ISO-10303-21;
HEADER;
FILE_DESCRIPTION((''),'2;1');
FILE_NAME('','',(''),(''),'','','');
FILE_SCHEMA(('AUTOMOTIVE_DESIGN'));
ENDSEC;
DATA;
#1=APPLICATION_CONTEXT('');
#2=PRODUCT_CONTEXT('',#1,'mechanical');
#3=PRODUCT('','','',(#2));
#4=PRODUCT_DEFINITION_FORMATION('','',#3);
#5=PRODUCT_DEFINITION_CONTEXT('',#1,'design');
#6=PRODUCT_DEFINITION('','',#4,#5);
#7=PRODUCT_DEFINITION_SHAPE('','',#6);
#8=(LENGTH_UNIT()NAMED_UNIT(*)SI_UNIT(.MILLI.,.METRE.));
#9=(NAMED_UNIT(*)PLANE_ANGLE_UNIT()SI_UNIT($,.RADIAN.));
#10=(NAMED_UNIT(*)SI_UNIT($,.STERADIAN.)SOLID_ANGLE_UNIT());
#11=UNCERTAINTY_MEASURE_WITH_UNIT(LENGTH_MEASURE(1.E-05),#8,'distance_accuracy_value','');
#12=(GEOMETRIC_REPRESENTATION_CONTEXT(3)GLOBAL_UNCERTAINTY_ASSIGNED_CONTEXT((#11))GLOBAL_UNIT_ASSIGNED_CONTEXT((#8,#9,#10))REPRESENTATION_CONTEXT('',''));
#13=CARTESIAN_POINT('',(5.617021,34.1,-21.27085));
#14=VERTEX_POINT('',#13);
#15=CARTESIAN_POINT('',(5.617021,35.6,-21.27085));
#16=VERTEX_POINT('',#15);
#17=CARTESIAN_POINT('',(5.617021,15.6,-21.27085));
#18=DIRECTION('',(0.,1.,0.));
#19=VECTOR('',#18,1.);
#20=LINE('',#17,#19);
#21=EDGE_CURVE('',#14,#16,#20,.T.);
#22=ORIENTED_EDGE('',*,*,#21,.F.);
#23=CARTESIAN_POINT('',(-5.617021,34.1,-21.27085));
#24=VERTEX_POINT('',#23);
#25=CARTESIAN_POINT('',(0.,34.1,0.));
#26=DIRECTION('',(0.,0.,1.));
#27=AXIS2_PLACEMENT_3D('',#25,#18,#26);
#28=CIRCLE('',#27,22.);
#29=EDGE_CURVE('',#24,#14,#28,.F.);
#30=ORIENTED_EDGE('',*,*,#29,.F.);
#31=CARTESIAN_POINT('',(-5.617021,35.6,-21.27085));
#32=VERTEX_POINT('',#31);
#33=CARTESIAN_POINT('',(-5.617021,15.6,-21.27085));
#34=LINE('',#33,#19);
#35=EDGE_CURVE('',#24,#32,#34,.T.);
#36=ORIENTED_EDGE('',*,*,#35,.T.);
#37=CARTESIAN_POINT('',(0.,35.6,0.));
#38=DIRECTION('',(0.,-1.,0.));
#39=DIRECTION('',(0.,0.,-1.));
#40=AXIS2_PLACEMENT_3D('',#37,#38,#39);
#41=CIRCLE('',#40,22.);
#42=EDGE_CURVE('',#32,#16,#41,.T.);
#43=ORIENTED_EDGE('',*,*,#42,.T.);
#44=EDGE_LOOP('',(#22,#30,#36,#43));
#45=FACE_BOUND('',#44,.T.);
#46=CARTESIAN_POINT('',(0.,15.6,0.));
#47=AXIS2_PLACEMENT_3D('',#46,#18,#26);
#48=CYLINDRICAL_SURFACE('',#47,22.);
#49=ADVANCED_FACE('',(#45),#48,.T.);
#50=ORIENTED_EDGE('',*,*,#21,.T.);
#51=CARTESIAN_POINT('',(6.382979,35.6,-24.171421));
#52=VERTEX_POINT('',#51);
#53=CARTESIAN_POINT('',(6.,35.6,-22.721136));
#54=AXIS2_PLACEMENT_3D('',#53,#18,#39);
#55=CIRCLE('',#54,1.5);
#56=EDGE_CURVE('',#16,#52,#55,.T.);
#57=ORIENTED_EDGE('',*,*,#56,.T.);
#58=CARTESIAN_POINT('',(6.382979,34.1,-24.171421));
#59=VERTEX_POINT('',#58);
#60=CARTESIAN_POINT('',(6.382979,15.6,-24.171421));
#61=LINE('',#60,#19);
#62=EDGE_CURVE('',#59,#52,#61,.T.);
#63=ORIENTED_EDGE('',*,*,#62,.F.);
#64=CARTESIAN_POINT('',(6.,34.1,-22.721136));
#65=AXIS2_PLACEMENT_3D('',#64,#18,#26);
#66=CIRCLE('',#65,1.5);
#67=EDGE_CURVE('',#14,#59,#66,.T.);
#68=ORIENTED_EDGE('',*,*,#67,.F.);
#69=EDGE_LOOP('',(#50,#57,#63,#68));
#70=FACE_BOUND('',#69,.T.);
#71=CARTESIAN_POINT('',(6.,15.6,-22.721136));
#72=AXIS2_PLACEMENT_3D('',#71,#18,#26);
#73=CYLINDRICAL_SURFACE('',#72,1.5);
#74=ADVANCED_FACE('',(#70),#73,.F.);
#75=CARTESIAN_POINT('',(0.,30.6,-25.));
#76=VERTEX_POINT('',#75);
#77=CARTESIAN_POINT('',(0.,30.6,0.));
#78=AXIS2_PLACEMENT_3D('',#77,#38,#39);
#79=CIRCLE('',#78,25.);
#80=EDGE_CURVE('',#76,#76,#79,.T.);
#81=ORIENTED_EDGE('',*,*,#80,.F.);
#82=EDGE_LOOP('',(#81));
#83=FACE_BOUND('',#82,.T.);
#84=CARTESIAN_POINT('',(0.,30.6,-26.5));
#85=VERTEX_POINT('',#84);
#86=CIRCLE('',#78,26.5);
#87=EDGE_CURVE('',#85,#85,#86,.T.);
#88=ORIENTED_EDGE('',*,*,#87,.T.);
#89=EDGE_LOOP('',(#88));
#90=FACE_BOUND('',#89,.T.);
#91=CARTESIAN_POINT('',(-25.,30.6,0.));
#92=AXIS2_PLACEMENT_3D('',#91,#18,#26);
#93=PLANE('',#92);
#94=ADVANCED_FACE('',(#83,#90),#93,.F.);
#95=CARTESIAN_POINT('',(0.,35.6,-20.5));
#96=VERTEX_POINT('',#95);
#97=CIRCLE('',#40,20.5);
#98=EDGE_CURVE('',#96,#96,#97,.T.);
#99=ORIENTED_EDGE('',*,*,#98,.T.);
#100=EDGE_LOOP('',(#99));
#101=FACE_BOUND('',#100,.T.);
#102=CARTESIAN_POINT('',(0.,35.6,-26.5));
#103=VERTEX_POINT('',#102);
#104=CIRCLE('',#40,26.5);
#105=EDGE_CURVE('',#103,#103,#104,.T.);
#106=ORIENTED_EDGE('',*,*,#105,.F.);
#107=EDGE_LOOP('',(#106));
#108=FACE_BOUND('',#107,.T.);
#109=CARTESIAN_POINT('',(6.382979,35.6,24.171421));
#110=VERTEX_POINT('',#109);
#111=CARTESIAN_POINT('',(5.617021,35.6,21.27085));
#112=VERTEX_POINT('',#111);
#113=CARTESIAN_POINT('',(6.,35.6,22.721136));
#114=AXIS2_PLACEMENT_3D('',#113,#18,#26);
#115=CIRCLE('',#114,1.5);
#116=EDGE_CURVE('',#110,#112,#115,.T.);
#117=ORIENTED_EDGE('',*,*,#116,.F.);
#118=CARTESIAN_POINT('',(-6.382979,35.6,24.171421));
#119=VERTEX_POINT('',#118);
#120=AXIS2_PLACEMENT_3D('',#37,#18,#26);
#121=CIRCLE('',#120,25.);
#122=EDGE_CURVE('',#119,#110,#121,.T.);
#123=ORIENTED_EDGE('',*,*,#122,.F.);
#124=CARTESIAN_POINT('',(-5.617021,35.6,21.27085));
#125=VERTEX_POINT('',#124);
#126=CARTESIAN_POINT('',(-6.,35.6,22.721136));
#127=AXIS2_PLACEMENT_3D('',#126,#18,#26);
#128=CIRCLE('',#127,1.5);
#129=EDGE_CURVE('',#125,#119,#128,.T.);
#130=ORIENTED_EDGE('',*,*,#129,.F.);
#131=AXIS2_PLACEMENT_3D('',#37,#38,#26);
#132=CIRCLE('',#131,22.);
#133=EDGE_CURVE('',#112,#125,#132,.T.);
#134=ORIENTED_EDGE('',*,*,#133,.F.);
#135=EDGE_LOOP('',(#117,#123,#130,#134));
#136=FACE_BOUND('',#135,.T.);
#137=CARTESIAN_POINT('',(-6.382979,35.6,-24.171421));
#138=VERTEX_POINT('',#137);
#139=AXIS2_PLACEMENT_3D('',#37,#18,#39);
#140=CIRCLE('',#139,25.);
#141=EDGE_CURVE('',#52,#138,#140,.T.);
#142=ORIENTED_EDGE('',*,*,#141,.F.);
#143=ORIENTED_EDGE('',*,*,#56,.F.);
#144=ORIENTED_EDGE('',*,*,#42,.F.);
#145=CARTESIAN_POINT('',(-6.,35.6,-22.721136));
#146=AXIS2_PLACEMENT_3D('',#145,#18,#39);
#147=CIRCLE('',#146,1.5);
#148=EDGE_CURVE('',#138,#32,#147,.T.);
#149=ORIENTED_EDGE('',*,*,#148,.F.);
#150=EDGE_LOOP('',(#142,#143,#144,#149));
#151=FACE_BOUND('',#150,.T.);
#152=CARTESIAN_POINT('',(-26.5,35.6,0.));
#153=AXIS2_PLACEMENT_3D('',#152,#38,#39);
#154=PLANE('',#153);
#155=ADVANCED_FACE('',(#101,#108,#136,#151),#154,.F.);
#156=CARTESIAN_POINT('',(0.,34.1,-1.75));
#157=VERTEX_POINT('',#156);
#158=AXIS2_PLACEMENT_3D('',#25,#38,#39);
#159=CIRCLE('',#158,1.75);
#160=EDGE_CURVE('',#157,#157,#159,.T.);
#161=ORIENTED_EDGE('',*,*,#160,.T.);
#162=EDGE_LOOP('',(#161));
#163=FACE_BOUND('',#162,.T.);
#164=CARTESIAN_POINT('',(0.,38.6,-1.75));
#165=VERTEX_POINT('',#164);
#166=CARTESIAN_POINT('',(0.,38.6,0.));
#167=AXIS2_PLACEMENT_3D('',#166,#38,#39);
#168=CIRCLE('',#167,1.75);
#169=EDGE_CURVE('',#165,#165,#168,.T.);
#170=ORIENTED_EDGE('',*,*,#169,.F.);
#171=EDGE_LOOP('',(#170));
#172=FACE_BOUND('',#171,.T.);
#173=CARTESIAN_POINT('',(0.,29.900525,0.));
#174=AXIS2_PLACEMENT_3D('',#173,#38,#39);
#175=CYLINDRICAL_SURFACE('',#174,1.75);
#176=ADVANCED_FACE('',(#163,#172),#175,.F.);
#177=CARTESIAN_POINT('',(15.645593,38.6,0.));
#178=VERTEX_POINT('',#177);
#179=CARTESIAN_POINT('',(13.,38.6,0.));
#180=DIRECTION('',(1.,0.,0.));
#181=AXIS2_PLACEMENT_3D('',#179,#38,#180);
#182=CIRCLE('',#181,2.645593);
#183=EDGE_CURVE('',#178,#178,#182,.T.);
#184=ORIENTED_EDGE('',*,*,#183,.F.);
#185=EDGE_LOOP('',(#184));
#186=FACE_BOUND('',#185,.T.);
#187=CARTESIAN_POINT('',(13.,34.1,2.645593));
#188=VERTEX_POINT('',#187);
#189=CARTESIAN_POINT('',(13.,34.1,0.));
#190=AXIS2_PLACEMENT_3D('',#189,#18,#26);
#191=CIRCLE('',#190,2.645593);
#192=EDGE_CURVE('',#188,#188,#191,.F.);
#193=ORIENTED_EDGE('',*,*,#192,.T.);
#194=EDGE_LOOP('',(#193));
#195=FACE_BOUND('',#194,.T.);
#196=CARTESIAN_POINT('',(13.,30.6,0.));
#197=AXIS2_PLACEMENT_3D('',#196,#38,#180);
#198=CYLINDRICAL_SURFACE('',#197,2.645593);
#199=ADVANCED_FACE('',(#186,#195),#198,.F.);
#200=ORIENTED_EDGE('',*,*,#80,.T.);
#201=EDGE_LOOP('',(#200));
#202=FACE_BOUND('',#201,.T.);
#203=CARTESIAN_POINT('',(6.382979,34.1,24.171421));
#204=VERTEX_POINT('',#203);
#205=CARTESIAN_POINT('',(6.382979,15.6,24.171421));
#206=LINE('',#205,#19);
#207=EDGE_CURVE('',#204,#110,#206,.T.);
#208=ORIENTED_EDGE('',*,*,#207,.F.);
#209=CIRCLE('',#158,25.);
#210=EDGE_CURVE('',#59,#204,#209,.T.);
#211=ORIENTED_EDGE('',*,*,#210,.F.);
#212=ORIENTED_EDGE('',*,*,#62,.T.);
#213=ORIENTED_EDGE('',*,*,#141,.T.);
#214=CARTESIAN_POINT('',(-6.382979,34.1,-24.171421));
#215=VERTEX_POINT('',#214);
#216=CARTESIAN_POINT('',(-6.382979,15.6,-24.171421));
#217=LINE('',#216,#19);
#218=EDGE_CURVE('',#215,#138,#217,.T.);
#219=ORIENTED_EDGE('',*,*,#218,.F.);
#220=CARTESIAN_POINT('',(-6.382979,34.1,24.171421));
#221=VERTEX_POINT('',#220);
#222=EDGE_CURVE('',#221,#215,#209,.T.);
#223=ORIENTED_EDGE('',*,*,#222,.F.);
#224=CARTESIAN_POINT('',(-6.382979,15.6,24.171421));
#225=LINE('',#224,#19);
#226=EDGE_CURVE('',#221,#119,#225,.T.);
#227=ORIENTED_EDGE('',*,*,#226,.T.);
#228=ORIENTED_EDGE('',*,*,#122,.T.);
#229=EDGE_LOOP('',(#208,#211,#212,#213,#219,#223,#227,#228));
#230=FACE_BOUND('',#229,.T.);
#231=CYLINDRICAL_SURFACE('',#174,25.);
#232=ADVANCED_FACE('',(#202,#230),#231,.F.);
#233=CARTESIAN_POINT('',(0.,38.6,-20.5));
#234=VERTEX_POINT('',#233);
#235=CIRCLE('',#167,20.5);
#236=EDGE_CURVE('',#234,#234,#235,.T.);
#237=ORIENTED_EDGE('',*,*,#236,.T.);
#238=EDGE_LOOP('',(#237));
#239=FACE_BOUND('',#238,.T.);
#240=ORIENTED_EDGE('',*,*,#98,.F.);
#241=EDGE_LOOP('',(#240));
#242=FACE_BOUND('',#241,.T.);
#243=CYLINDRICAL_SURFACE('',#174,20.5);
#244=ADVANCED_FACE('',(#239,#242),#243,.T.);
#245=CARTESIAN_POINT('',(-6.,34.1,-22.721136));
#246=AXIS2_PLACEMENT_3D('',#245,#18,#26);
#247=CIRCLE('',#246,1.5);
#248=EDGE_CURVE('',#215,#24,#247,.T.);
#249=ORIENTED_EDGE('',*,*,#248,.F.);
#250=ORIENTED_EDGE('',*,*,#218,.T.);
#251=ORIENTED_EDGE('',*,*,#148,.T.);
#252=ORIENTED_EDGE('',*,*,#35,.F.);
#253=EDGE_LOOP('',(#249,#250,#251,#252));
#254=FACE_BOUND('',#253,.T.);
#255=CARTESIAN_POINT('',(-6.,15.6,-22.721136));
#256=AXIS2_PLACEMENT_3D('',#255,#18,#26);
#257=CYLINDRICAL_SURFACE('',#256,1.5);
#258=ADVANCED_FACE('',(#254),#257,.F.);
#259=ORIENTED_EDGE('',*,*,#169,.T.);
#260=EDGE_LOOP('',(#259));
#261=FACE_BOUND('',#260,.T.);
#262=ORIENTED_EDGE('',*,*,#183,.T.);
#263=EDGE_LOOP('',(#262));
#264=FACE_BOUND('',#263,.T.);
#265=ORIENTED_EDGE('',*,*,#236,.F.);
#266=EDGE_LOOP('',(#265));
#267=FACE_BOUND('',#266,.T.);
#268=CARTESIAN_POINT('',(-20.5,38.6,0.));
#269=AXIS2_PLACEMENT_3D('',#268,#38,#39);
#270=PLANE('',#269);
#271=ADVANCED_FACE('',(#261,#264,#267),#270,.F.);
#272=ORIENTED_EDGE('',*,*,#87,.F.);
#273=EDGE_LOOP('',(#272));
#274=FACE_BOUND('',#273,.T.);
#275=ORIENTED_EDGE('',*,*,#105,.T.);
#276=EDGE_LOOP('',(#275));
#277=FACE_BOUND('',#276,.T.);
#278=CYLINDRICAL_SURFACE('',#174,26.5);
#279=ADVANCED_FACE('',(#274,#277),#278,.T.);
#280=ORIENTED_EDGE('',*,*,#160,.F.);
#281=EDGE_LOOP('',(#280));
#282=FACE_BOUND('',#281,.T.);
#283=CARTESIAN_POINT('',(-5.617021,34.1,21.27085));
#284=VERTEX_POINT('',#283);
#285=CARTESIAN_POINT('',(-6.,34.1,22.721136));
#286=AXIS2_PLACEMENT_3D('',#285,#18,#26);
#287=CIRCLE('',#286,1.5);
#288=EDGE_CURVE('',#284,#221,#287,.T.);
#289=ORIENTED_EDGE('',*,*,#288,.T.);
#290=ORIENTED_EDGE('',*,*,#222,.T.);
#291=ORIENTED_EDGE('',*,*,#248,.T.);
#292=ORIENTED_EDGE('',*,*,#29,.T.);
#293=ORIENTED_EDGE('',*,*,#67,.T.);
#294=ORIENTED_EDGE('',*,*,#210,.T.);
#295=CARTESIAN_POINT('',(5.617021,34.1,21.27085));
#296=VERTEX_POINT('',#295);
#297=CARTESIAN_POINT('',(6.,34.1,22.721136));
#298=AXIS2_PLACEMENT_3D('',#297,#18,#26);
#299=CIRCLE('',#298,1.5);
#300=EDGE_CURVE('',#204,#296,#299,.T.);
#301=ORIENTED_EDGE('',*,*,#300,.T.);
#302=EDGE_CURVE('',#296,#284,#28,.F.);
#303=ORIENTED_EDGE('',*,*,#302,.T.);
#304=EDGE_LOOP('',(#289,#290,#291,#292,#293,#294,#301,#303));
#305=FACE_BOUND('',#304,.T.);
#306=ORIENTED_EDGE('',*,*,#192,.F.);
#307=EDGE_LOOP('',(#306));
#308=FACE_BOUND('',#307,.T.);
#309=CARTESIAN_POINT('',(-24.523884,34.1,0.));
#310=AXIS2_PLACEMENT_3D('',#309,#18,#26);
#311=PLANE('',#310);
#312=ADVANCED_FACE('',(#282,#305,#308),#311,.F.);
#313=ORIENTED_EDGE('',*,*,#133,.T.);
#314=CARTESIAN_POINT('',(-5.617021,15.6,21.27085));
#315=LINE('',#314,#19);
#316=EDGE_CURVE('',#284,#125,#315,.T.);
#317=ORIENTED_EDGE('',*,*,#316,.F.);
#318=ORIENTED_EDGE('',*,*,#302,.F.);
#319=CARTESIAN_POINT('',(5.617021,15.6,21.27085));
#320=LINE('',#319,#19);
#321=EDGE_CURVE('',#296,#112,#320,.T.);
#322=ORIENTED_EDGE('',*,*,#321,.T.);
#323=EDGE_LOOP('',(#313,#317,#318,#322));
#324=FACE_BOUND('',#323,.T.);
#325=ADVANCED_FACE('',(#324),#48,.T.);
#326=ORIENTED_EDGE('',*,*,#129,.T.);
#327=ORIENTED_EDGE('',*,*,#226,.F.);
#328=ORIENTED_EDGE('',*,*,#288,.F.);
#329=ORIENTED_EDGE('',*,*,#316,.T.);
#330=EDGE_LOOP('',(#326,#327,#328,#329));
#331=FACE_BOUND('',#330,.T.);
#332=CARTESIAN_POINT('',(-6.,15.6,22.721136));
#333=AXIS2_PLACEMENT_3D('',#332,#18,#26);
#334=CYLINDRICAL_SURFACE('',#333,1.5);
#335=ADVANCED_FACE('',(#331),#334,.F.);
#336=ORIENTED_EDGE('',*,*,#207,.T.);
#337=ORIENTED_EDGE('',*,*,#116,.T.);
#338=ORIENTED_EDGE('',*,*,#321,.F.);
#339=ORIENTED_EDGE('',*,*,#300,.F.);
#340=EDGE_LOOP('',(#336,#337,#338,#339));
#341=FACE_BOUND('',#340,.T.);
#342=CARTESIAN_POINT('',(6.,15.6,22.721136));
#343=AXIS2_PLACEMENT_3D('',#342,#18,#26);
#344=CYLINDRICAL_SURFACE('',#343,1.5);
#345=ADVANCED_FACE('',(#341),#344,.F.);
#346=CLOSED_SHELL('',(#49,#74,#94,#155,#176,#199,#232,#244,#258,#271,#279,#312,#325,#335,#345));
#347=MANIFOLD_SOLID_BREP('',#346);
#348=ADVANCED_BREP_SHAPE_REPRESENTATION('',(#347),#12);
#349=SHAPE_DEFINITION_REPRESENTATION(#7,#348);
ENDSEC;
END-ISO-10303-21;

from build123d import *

# Parameters (mm, degrees)
SKETCH_3_W          = 2.645592797
SKETCH_3_H          = 5.492550126
CUT_EXTRUDE_START   = -20
CUT_EXTRUDE_2_DEPTH = 20
CUT_EXTRUDE_START_2 = -10
CUT_EXTRUDE_1_DEPTH = 10


with BuildPart() as part:
    # Эскиз1 → Повернуть1 (revolve)
    with BuildSketch(Plane.XY, mode=Mode.PRIVATE) as revolve_1_sk:
        Polygon((-26.5, 30.6), (-26.5, 35.6), (-20.5, 35.6), (-20.5, 38.6), (-1.75, 38.6), (-1.75, 34.1), (-24.523884272, 34.1), (-25, 34.1), (-25, 30.6), align=None)
    revolve(revolve_1_sk.sketch.rotate(Axis((0, 29.900525332, 0), (0, 1, 0)), 270), axis=Axis((0, 29.900525332, 0), (0, 1, 0)))

    # Эскиз3 → Вырез-Повернуть1 (revolve, cut)
    with BuildSketch(Plane.XY, mode=Mode.PRIVATE) as cut_revolve_1_sk:
        with Locations((11.677203602, 35.853724937)):
            Rectangle(SKETCH_3_W, SKETCH_3_H)
    revolve(cut_revolve_1_sk.sketch.rotate(Axis((13, 30.6, 0), (0, 1, 0)), 180), axis=Axis((13, 30.6, 0), (0, 1, 0)), mode=Mode.SUBTRACT)

    # Эскиз5 → Вырез-Вытянуть2 (cut)
    with BuildSketch(Plane(origin=(0, 35.6, 0), x_dir=(1, 0, 0), z_dir=(0, 1, 0)).offset(CUT_EXTRUDE_START)):
        with BuildLine():
            ThreePointArc((-5.617021277, -21.270850288), (-7.450285247, -22.338156812), (-6.382978723, -24.171420782))
            ThreePointArc((-6.382978723, -24.171420782), (0, -25), (6.382978723, -24.171420782))
            ThreePointArc((6.382978723, -24.171420782), (7.450285247, -22.338156812), (5.617021277, -21.270850288))
            ThreePointArc((5.617021277, -21.270850288), (0, -22), (-5.617021277, -21.270850288))
        make_face()
        with BuildLine():
            ThreePointArc((6.382978723, 24.171420782), (7.450285247, 22.338156812), (5.617021277, 21.270850288))
            ThreePointArc((5.617021277, 21.270850288), (0, 22), (-5.617021277, 21.270850288))
            ThreePointArc((-5.617021277, 21.270850288), (-7.450285247, 22.338156812), (-6.382978723, 24.171420782))
            ThreePointArc((-6.382978723, 24.171420782), (0, 25), (6.382978723, 24.171420782))
        make_face()
    extrude(amount=CUT_EXTRUDE_2_DEPTH, mode=Mode.SUBTRACT)

    # Эскиз4 → Вырез-Вытянуть1 (cut)
    with BuildSketch(Plane(origin=(0, 35.6, 0), x_dir=(1, 0, 0), z_dir=(0, 1, 0)).offset(CUT_EXTRUDE_START_2)):
        with BuildLine():
            ThreePointArc((-5.617021277, -21.270850288), (0, -22), (5.617021277, -21.270850288))
            ThreePointArc((5.617021277, -21.270850288), (7.450285247, -22.338156812), (6.382978723, -24.171420782))
            ThreePointArc((6.382978723, -24.171420782), (0, -25), (-6.382978723, -24.171420782))
            ThreePointArc((-6.382978723, -24.171420782), (-7.450285247, -22.338156812), (-5.617021277, -21.270850288))
        make_face()
        with BuildLine():
            ThreePointArc((6.382978723, 24.171420782), (7.450285247, 22.338156812), (5.617021277, 21.270850288))
            ThreePointArc((5.617021277, 21.270850288), (0, 22), (-5.617021277, 21.270850288))
            ThreePointArc((-5.617021277, 21.270850288), (-7.450285247, 22.338156812), (-6.382978723, 24.171420782))
            ThreePointArc((-6.382978723, 24.171420782), (0, 25), (6.382978723, 24.171420782))
        make_face()
    extrude(amount=CUT_EXTRUDE_1_DEPTH, mode=Mode.SUBTRACT)


solid = part.part
